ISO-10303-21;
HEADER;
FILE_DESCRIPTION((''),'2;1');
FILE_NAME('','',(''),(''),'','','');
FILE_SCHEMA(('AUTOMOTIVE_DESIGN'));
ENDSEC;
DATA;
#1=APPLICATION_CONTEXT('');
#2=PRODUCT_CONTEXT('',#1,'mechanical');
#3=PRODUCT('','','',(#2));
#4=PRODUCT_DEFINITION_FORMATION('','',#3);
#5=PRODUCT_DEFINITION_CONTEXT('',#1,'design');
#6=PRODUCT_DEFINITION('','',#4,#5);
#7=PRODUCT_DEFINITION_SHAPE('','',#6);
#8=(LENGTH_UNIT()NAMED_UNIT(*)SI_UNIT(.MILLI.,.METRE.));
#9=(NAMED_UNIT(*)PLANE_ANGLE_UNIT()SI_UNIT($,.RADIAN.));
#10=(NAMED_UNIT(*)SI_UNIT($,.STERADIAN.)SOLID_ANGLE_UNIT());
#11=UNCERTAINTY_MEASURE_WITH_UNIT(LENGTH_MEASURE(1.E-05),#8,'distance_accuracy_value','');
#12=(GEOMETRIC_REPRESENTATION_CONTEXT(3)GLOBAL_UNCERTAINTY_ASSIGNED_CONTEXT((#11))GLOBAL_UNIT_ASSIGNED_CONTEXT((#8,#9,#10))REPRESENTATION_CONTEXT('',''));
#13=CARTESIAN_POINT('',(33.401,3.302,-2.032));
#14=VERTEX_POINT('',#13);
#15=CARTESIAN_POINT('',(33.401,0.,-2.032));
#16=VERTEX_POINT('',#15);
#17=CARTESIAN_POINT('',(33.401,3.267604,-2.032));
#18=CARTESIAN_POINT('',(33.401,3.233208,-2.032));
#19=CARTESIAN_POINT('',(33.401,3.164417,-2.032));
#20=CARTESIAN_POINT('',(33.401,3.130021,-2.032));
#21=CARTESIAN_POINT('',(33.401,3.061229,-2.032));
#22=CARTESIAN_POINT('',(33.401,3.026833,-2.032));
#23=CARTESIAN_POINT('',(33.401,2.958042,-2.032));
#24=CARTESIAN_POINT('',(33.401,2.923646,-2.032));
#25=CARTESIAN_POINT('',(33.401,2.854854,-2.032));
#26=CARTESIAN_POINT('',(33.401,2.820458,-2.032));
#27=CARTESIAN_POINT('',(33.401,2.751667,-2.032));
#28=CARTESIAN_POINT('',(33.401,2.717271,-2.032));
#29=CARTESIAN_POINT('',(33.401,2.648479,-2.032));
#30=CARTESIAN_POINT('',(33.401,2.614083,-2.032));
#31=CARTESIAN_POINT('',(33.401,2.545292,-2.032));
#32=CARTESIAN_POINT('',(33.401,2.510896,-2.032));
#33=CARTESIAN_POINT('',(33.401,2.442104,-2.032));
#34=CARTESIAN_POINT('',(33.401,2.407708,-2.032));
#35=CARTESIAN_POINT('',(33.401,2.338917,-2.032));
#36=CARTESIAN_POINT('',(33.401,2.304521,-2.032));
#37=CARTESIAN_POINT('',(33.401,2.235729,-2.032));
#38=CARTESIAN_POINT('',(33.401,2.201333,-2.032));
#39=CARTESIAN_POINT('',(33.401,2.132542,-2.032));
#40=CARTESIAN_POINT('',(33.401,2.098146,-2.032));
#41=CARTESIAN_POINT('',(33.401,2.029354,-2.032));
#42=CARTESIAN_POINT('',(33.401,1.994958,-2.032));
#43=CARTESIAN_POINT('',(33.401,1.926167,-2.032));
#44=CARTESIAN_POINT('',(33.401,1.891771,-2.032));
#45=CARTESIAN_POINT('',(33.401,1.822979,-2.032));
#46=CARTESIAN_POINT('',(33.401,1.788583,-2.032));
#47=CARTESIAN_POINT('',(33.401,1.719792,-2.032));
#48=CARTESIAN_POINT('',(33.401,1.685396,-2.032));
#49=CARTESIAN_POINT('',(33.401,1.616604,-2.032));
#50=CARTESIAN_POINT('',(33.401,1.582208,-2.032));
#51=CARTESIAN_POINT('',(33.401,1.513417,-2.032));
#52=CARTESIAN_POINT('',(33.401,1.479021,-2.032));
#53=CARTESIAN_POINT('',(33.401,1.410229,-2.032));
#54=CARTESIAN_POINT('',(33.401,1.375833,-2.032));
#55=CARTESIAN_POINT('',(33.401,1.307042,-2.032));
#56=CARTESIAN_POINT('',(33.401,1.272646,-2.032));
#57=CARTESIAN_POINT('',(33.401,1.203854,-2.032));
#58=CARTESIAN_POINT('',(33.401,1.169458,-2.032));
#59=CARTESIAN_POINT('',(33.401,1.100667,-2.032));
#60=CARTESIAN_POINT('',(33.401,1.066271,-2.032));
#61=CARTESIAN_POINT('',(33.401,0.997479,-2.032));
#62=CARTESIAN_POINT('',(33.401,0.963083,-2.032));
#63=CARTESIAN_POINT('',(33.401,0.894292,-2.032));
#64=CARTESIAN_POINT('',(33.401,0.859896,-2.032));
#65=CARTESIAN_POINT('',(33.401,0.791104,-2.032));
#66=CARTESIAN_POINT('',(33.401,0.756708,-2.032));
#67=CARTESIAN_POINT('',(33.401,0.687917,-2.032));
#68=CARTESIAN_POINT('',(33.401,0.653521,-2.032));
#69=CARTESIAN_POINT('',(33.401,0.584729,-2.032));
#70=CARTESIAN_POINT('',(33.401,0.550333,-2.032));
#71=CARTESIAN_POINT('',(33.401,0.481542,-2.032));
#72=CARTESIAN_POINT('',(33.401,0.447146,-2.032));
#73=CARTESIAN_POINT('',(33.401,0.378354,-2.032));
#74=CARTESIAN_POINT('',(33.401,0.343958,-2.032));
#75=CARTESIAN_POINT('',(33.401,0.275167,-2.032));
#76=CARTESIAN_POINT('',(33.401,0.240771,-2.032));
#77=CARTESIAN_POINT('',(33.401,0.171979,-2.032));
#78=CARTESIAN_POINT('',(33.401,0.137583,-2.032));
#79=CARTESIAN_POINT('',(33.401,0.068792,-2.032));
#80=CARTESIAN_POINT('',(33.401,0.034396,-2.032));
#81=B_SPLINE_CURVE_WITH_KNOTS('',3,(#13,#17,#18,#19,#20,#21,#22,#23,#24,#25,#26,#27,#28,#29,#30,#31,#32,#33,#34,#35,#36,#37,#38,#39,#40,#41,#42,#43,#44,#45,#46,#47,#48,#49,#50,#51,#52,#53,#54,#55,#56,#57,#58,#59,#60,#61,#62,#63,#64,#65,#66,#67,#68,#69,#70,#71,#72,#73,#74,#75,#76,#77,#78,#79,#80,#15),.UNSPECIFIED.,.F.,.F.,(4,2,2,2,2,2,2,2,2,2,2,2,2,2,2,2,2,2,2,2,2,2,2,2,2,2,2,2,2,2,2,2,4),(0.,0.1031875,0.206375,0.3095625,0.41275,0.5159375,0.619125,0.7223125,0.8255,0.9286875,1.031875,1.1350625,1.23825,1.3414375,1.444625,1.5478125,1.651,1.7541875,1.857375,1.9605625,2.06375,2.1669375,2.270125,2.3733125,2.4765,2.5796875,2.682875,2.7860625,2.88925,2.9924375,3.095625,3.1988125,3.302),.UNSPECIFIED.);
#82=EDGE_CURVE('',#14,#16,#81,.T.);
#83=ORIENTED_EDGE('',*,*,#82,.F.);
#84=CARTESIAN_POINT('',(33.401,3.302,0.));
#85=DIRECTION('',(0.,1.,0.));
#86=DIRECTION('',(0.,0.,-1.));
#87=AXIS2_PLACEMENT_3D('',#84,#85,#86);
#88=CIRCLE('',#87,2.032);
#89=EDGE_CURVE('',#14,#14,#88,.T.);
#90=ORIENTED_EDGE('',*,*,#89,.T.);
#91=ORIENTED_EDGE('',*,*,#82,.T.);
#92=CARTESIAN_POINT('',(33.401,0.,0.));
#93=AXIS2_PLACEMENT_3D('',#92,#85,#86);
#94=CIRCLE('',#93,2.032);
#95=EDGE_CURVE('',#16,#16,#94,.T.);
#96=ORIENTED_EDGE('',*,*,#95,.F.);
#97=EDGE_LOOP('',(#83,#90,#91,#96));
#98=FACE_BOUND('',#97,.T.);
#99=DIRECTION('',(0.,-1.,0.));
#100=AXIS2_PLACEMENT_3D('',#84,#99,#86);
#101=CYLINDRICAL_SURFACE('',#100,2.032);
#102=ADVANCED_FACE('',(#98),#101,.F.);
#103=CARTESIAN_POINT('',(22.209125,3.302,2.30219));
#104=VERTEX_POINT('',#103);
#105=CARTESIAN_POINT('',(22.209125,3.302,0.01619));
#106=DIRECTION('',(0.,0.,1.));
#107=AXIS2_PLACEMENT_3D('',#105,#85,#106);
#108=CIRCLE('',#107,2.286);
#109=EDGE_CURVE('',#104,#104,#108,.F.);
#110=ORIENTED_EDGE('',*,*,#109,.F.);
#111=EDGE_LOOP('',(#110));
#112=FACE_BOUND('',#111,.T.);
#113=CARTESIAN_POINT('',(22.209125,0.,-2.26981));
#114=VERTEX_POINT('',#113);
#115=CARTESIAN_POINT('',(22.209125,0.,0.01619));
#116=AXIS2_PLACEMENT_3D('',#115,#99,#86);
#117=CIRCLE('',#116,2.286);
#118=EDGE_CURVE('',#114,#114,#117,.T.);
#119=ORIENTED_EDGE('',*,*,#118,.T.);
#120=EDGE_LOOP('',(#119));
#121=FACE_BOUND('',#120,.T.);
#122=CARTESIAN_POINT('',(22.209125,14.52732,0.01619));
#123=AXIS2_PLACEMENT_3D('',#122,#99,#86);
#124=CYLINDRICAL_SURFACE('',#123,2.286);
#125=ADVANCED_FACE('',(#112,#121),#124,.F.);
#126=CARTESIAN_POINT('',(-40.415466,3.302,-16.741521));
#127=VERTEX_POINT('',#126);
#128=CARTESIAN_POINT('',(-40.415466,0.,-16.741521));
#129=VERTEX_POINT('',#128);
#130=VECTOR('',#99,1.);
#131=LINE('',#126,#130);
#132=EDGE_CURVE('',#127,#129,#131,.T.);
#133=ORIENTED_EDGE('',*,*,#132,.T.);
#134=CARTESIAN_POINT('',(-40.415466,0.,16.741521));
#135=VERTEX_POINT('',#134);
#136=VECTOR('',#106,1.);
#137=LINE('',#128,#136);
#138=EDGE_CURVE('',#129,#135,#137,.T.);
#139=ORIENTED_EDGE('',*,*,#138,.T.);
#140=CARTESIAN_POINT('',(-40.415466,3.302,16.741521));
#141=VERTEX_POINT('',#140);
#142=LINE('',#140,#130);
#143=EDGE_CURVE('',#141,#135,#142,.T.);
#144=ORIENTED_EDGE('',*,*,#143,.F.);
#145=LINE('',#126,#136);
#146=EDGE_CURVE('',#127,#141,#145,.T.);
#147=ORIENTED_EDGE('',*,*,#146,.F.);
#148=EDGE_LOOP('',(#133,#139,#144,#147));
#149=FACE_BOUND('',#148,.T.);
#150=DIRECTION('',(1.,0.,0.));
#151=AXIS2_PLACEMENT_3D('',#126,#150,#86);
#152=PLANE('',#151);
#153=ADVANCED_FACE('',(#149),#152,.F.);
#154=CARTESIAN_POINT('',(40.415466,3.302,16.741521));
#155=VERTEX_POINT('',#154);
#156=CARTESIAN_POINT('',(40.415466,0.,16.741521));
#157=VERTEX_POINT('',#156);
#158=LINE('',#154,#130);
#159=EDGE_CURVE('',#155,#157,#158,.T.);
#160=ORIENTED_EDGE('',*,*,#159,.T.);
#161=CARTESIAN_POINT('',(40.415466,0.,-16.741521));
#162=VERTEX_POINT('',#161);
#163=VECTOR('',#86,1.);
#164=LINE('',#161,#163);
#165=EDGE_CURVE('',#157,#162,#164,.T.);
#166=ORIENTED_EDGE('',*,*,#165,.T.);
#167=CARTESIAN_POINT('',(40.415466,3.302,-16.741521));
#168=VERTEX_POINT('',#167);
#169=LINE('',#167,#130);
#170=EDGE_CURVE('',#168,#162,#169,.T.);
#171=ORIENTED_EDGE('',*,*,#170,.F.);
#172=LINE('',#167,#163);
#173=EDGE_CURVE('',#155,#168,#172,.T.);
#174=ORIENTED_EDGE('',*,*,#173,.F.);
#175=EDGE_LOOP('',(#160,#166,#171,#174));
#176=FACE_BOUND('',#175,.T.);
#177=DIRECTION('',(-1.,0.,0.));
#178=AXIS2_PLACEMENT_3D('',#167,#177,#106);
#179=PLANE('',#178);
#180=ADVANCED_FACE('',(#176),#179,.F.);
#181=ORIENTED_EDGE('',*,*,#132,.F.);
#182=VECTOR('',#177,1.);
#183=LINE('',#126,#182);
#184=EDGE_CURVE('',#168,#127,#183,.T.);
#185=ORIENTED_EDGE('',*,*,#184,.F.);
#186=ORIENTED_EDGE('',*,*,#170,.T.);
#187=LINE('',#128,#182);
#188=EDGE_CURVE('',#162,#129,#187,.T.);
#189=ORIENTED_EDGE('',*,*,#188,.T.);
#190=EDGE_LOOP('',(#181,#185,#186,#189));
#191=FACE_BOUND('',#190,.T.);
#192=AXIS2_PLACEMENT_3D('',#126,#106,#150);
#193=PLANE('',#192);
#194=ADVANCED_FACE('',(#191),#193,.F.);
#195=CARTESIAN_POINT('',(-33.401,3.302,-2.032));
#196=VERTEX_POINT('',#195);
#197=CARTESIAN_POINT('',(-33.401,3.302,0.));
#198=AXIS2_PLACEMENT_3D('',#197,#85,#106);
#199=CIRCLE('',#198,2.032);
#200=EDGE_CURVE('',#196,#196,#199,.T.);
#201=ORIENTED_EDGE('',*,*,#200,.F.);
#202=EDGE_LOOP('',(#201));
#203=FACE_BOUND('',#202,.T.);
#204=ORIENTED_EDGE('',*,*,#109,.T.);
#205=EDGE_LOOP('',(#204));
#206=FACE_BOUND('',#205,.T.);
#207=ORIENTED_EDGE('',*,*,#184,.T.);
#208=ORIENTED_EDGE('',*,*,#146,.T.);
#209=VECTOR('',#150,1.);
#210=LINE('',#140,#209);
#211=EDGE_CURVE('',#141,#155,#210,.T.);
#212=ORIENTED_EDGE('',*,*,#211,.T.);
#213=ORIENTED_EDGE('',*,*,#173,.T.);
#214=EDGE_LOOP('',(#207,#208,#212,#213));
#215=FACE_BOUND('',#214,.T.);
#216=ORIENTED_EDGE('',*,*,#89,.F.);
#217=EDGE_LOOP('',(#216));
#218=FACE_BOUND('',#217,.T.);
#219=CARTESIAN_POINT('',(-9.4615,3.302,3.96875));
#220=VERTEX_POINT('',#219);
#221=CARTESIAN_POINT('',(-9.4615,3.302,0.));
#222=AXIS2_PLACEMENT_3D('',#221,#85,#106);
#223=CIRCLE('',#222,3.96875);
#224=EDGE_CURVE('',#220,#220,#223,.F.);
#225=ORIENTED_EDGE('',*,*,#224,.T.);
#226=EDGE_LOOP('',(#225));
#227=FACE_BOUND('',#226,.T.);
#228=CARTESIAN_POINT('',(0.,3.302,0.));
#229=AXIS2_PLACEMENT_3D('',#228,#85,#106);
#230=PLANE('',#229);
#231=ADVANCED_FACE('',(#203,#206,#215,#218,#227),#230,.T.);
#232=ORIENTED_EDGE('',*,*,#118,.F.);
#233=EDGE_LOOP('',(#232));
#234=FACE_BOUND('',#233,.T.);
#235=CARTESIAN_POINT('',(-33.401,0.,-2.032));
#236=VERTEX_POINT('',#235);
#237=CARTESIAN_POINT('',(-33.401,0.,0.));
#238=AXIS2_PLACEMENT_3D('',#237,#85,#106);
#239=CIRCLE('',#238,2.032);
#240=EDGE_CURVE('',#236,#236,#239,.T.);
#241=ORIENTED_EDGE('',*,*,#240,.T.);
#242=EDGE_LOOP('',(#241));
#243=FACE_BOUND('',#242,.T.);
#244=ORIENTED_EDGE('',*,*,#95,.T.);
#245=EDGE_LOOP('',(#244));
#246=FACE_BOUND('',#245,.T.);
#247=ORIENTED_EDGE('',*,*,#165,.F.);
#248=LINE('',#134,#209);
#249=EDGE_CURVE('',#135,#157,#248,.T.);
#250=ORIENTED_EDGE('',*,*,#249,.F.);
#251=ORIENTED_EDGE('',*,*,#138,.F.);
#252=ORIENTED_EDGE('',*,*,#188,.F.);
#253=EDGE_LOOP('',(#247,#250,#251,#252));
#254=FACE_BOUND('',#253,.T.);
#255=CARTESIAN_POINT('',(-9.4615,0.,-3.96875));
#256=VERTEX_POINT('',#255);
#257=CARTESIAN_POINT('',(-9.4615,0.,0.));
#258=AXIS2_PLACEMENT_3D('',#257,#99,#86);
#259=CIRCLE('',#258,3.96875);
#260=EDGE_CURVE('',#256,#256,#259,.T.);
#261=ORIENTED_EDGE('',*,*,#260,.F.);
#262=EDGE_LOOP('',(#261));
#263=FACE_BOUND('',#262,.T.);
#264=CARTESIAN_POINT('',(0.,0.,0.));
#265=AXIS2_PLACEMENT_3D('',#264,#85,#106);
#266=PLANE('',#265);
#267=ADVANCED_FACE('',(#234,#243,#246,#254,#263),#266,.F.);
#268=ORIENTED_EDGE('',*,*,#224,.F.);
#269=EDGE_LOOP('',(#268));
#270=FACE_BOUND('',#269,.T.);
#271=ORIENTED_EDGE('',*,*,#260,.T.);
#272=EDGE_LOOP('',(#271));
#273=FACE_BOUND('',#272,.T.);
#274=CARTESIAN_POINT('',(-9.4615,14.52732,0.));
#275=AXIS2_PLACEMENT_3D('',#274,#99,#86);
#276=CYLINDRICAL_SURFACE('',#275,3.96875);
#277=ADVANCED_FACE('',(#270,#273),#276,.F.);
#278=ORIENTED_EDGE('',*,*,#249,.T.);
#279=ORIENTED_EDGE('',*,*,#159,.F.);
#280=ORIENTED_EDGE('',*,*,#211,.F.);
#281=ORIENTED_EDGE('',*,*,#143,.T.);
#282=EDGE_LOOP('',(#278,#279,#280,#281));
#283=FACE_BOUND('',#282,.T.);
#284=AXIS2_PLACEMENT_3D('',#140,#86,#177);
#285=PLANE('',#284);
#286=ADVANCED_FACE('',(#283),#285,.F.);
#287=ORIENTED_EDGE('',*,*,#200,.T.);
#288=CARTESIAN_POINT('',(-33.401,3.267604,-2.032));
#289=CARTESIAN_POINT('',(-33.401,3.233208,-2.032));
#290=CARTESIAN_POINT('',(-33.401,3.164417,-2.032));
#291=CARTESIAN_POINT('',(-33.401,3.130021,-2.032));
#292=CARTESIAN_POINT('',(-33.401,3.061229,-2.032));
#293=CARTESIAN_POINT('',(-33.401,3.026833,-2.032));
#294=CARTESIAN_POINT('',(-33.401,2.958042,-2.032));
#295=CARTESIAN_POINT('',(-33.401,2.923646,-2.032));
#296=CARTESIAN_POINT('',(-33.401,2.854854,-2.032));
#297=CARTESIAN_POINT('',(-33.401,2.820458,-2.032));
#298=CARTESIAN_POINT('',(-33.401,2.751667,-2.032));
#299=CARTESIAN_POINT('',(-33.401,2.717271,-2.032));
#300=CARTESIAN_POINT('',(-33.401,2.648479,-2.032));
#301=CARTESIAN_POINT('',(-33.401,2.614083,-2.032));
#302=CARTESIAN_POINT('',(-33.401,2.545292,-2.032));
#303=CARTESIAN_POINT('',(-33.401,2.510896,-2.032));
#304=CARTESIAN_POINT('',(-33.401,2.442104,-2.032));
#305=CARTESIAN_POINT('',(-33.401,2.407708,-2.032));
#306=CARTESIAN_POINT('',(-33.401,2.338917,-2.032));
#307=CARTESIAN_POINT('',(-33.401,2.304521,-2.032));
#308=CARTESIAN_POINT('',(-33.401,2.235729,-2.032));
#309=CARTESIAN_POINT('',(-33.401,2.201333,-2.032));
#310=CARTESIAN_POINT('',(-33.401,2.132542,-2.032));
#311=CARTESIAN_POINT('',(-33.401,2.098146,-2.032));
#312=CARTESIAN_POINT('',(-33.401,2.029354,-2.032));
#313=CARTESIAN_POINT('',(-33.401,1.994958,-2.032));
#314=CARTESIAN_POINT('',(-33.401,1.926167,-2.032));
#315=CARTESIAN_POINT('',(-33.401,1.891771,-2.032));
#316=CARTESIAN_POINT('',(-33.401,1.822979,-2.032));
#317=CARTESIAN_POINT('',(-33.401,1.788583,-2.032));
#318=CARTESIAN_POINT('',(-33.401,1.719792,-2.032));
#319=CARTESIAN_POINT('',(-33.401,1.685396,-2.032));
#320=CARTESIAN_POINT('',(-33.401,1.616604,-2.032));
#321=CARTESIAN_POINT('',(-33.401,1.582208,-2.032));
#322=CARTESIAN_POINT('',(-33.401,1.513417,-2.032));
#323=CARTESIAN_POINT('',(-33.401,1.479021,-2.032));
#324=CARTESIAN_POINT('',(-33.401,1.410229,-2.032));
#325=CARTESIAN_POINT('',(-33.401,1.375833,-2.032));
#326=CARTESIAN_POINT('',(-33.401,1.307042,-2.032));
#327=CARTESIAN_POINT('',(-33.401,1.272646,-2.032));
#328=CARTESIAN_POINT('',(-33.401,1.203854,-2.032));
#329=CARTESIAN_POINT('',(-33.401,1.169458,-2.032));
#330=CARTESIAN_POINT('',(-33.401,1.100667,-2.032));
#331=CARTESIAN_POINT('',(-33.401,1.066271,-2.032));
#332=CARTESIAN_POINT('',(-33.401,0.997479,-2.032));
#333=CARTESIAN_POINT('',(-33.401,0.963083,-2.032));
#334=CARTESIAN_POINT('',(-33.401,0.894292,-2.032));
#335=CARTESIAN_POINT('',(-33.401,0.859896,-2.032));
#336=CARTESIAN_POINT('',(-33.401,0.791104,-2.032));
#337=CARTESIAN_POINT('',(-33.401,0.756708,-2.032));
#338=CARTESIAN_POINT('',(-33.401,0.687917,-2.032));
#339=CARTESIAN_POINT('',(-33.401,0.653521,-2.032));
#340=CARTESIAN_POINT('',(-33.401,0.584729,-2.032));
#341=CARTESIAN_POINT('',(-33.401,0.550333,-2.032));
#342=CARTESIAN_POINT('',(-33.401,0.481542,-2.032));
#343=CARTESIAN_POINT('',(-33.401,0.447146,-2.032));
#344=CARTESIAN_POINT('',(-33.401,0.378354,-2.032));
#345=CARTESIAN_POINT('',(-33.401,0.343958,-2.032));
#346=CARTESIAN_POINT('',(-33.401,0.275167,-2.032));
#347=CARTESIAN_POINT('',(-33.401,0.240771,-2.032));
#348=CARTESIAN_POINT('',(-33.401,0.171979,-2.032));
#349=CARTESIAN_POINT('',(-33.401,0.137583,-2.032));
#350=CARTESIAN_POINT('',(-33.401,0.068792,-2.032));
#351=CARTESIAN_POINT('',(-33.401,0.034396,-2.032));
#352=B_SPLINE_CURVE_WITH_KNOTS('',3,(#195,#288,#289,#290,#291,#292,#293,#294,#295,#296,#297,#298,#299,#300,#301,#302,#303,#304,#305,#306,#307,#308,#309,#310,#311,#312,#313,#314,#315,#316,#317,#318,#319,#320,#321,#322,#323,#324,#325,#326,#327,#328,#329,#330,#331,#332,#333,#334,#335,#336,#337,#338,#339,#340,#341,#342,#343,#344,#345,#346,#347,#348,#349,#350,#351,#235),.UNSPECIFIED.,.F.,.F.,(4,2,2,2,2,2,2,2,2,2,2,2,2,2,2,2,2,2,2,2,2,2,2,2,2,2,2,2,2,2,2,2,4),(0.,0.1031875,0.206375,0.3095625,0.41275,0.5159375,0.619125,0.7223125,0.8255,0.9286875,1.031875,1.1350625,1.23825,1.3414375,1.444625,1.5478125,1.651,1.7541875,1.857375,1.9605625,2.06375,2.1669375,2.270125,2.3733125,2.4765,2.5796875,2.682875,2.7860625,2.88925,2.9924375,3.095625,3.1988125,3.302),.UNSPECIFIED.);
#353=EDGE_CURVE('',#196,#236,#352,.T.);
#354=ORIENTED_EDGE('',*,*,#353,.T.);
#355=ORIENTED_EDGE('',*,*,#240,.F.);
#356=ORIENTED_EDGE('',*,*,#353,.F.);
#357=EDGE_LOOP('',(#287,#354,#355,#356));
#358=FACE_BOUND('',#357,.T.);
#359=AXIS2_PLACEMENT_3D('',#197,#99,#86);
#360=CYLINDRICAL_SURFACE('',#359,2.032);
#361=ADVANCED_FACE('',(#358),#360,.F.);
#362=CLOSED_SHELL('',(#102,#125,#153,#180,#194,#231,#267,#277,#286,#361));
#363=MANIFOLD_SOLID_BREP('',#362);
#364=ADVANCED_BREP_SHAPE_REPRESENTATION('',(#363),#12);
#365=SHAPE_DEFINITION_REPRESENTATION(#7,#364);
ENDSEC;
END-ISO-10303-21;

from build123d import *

# Parameters (mm, degrees)
SKETCH1_W           = 80.830931362
SKETCH1_H           = 33.48304161
SKETCH1_R           = 2.032
BOSS_EXTRUDE1_DEPTH = 3.302
SKETCH2_R           = 3.96875
SKETCH2_R_2         = 2.286
CUT_EXTRUDE1_DEPTH  = 3.302


with BuildPart() as part:
    # Sketch1 → Boss-Extrude1 (new body)
    with BuildSketch(Plane(origin=(0, 0, 0), x_dir=(1, 0, 0), z_dir=(0, 1, 0))):
        Rectangle(SKETCH1_W, SKETCH1_H)
        with Locations(Location((-33.401, 0, 0), (0, 0, 90))):
            Circle(SKETCH1_R, mode=Mode.SUBTRACT)
        with Locations(Location((33.401, 0, 0), (0, 0, 90))):
            Circle(SKETCH1_R, mode=Mode.SUBTRACT)
    extrude(amount=BOSS_EXTRUDE1_DEPTH)

    # Sketch2 → Cut-Extrude1 (cut)
    with BuildSketch(Plane.XZ):
        with Locations(Location((-9.4615, 0, 0), (0, 0, 270))):
            Circle(SKETCH2_R)
        with Locations(Location((22.209125, 0.016190079, 0), (0, 0, 270))):
            Circle(SKETCH2_R_2)
    extrude(amount=-CUT_EXTRUDE1_DEPTH, mode=Mode.SUBTRACT)


solid = part.part
